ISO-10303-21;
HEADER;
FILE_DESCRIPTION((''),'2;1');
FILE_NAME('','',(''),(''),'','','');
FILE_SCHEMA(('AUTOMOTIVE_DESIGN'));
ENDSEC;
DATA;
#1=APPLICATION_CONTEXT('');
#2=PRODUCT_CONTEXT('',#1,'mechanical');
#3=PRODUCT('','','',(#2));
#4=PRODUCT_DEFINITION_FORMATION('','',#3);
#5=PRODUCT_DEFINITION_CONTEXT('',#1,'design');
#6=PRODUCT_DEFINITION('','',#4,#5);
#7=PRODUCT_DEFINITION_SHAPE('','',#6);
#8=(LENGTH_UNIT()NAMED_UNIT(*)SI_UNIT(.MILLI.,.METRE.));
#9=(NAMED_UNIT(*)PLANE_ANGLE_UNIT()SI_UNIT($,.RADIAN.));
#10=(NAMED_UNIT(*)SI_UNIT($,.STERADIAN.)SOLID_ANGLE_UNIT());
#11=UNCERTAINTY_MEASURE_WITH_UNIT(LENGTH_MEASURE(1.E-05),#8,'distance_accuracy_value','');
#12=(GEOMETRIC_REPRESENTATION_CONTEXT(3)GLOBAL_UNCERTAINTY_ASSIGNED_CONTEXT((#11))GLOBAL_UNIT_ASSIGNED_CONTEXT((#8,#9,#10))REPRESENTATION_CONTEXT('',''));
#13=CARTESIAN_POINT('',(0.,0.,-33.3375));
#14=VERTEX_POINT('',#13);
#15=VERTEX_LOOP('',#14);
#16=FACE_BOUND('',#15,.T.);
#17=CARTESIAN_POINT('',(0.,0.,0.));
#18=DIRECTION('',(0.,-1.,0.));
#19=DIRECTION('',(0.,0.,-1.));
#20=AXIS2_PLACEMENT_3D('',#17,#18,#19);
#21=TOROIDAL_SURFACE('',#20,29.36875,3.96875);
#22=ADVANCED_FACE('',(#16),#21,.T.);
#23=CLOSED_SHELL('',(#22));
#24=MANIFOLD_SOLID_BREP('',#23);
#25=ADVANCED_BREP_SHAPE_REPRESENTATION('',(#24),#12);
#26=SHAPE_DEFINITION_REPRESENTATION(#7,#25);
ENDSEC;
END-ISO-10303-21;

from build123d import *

# Parameters (mm, degrees)
SKETCH1_R = 3.96875


with BuildPart() as part:
    # Sketch1 → Revolve1 (revolve)
    with BuildSketch(Plane.XY, mode=Mode.PRIVATE) as revolve1_sk:
        with Locations((29.36875, 0)):
            Circle(SKETCH1_R)
    revolve(revolve1_sk.sketch.rotate(Axis((0, 0, 0), (0, 1, 0)), 90), axis=Axis((0, 0, 0), (0, 1, 0)))


solid = part.part
